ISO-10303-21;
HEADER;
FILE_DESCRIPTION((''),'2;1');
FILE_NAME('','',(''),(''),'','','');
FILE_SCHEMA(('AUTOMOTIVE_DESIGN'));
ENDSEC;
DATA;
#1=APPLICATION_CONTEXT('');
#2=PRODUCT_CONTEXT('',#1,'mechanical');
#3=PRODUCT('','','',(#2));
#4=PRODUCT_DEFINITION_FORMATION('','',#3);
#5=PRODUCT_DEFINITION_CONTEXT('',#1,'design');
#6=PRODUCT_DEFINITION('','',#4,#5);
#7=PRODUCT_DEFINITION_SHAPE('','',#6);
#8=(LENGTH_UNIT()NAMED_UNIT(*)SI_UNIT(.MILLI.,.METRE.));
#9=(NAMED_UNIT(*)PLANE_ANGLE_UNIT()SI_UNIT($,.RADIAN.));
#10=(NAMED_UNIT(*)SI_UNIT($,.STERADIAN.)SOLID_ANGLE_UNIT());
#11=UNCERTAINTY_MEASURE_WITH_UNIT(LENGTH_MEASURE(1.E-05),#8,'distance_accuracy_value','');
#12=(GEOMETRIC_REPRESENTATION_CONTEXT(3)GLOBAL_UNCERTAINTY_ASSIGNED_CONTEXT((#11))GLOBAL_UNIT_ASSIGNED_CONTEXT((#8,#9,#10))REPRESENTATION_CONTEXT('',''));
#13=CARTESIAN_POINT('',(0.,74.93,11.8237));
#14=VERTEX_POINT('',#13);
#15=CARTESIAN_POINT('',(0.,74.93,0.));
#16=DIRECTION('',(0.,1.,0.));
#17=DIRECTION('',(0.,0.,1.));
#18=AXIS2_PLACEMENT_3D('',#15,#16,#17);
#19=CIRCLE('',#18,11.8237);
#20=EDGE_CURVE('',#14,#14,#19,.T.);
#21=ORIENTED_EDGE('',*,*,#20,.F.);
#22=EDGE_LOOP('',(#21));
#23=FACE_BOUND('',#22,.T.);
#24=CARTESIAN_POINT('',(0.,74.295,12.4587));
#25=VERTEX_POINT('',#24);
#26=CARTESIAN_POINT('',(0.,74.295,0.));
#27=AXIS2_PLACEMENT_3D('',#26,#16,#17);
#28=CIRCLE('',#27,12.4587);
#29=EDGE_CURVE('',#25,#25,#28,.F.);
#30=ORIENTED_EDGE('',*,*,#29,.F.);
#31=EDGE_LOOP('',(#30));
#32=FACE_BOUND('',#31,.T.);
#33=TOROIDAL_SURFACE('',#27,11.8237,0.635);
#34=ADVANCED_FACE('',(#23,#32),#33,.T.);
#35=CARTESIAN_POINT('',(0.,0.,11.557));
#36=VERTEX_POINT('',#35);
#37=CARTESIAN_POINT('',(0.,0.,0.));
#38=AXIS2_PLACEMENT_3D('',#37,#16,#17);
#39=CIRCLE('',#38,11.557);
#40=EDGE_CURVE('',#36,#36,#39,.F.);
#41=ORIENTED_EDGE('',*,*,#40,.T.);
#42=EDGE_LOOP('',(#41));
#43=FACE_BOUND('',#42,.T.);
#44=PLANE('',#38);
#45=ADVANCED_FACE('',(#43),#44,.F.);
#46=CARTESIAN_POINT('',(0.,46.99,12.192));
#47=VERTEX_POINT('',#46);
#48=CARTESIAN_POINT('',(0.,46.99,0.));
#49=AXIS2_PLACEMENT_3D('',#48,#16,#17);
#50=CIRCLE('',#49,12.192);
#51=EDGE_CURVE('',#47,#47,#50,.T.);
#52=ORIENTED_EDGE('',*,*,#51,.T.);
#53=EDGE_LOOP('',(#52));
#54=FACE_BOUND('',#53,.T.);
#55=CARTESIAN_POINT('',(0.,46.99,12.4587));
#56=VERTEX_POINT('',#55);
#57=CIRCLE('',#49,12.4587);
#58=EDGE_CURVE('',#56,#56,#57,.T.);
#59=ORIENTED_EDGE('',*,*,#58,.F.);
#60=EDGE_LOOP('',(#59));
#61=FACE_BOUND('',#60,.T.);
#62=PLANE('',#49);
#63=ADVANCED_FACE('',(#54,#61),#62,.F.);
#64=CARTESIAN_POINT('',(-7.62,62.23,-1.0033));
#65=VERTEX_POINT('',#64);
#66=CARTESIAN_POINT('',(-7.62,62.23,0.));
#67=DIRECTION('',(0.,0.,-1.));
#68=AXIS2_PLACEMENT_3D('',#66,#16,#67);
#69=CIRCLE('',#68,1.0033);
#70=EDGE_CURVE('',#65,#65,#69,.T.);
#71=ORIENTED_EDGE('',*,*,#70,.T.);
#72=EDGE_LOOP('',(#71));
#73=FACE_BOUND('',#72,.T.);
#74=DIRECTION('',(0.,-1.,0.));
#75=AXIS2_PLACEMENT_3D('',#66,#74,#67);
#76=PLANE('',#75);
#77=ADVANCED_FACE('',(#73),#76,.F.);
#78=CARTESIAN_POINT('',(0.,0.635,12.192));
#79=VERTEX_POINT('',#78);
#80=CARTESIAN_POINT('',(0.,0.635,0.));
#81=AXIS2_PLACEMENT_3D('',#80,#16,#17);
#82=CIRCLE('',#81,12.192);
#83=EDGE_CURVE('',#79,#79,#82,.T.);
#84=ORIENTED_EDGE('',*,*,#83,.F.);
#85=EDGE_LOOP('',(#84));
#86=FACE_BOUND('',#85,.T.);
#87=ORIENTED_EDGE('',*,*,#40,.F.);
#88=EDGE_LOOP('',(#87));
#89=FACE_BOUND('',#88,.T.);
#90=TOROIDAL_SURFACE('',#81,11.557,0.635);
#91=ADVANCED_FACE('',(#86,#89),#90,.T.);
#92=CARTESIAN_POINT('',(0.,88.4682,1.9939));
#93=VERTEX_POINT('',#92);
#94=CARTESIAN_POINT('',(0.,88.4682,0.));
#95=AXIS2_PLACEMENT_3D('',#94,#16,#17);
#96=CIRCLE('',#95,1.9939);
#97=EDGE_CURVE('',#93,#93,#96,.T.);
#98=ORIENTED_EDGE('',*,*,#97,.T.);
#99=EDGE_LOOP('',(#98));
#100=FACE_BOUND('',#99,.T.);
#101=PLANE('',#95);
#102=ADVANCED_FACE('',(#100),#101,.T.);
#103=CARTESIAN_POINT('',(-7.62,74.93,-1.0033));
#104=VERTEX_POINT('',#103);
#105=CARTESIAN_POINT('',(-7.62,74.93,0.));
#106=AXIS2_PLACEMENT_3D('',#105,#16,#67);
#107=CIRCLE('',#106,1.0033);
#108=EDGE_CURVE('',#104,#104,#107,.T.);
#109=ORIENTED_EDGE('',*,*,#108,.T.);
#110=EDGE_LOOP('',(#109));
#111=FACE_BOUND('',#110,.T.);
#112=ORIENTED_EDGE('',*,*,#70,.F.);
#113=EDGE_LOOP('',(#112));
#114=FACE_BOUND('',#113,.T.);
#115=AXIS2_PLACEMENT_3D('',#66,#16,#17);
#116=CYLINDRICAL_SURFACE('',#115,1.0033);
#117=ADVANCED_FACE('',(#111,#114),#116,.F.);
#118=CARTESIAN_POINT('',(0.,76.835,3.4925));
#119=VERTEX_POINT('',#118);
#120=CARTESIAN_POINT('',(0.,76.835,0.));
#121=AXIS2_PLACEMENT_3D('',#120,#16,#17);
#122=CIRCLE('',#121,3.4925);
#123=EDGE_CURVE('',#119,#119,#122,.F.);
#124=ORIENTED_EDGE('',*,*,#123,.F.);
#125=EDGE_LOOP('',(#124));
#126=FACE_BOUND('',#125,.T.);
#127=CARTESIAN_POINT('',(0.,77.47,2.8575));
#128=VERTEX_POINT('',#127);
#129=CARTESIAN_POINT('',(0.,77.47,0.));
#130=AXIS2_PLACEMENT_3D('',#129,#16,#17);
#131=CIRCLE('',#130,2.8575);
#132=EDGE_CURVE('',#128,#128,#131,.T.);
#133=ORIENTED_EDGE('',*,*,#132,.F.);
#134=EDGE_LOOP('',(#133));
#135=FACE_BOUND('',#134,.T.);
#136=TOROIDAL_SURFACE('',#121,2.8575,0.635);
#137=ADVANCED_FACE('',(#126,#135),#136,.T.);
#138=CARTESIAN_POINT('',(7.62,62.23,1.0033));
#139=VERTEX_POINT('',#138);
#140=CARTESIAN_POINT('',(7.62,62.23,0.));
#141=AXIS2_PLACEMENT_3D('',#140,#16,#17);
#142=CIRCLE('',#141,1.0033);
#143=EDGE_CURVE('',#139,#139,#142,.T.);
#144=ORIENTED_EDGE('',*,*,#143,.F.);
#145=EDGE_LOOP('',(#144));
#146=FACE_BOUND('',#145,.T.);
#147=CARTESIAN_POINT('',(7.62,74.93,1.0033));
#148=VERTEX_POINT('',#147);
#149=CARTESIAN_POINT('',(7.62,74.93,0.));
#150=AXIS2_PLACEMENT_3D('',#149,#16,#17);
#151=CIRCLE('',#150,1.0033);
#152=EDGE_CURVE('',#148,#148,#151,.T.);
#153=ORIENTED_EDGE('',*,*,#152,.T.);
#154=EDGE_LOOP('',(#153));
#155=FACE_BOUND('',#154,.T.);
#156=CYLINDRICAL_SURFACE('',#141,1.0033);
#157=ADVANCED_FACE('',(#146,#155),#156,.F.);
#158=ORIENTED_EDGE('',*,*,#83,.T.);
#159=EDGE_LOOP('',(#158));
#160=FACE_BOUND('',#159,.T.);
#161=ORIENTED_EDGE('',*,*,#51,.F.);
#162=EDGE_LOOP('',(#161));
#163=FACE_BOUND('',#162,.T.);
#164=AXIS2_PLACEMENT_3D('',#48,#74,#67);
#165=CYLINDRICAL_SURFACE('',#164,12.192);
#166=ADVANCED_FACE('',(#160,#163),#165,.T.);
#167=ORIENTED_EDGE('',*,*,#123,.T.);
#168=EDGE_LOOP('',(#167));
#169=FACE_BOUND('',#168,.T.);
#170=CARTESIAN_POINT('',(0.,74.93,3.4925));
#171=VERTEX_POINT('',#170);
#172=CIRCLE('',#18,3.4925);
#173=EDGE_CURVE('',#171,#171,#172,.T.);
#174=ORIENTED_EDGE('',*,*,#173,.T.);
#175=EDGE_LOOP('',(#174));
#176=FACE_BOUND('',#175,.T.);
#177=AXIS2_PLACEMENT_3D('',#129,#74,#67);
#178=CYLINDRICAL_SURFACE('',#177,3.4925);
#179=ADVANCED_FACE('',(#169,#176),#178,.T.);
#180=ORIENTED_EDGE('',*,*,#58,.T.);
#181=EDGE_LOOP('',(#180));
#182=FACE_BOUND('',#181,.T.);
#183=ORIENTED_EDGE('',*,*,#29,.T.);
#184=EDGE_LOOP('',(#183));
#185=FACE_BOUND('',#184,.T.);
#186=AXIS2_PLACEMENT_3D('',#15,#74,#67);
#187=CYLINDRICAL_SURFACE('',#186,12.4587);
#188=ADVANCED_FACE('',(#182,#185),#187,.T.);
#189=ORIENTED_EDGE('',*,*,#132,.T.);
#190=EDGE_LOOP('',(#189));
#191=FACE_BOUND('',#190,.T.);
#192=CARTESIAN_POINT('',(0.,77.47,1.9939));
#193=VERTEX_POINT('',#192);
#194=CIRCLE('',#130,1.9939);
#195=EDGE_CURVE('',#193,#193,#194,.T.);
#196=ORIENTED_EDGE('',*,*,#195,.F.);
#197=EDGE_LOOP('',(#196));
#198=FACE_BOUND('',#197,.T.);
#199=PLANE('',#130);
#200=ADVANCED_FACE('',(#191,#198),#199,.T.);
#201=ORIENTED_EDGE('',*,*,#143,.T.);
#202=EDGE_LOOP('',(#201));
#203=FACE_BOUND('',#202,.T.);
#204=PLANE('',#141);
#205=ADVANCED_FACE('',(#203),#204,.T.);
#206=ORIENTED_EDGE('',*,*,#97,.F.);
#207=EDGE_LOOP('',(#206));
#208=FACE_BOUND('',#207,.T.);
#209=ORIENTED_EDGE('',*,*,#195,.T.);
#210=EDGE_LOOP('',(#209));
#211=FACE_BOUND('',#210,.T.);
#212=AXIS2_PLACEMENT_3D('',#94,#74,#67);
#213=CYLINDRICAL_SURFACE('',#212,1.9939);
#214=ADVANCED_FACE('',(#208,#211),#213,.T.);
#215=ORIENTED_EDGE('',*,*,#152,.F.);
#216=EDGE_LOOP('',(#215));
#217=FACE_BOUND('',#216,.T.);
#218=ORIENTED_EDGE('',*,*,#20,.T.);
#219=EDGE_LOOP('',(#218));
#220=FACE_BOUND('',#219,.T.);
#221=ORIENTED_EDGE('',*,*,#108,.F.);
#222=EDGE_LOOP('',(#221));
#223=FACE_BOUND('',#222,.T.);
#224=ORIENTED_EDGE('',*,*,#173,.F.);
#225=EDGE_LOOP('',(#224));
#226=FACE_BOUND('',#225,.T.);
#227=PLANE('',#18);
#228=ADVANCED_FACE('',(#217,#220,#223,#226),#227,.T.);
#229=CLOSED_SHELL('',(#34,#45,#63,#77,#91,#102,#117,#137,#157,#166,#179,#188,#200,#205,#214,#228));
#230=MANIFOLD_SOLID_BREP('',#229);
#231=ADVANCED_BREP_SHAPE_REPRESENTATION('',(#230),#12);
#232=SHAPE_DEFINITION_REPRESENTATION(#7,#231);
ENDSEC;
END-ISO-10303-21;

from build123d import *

# Parameters (mm, degrees)
SKETCH1_R           = 12.192
BOSS_EXTRUDE1_DEPTH = 46.99
SKETCH2_R           = 12.4587
BOSS_EXTRUDE2_DEPTH = 27.94
SKETCH3_R           = 3.4925
BOSS_EXTRUDE3_DEPTH = 2.54
SKETCH4_R           = 1.9939
BOSS_EXTRUDE4_DEPTH = 10.9982
FILLET1_R           = 0.635
FILLET2_R           = 0.635
SKETCH5_R           = 1.0033
CUT_EXTRUDE1_DEPTH  = 12.7


with BuildPart() as part:
    # Sketch1 → Boss-Extrude1 (new body)
    with BuildSketch(Plane(origin=(0, 0, 0), x_dir=(1, 0, 0), z_dir=(0, 1, 0))):
        with Locations(Location((0, 0, 0), (0, 0, 270))):
            Circle(SKETCH1_R)
    extrude(amount=BOSS_EXTRUDE1_DEPTH)

    # Sketch2 → Boss-Extrude2 (add)
    with BuildSketch(Plane(origin=(0, 46.99, 0), x_dir=(1, 0, 0), z_dir=(0, 1, 0))):
        with Locations(Location((0, 0, 0), (0, 0, 270))):
            Circle(SKETCH2_R)
    extrude(amount=BOSS_EXTRUDE2_DEPTH)

    # Sketch3 → Boss-Extrude3 (add)
    with BuildSketch(Plane(origin=(0, 74.93, 0), x_dir=(1, 0, 0), z_dir=(0, 1, 0))):
        with Locations(Location((0, 0, 0), (0, 0, 270))):
            Circle(SKETCH3_R)
    extrude(amount=BOSS_EXTRUDE3_DEPTH)

    # Sketch4 → Boss-Extrude4 (add)
    with BuildSketch(Plane(origin=(0, 77.47, 0), x_dir=(1, 0, 0), z_dir=(0, 1, 0))):
        with Locations(Location((0, 0, 0), (0, 0, 270))):
            Circle(SKETCH4_R)
    extrude(amount=BOSS_EXTRUDE4_DEPTH)

    # Fillet1
    fillet1_edges = [part.edges().sort_by_distance(p)[0] for p in [
        (0, 0, -12.192),
        (0, 74.93, -12.4587),
    ]]
    fillet(fillet1_edges, radius=FILLET1_R)

    # Fillet2
    fillet2_edges = [part.edges().sort_by_distance(p)[0] for p in [
        (0, 77.47, -3.4925),
    ]]
    fillet(fillet2_edges, radius=FILLET2_R)

    # Sketch5 → Cut-Extrude1 (cut)
    with BuildSketch(Plane(origin=(0, 74.93, 0), x_dir=(1, 0, 0), z_dir=(0, 1, 0))):
        with Locations(Location((7.62, 0, 0), (0, 0, 270))):
            Circle(SKETCH5_R)
        with Locations(Location((-7.62, 0, 0), (0, 0, 90))):
            Circle(SKETCH5_R)
    extrude(amount=-CUT_EXTRUDE1_DEPTH, mode=Mode.SUBTRACT)


solid = part.part
